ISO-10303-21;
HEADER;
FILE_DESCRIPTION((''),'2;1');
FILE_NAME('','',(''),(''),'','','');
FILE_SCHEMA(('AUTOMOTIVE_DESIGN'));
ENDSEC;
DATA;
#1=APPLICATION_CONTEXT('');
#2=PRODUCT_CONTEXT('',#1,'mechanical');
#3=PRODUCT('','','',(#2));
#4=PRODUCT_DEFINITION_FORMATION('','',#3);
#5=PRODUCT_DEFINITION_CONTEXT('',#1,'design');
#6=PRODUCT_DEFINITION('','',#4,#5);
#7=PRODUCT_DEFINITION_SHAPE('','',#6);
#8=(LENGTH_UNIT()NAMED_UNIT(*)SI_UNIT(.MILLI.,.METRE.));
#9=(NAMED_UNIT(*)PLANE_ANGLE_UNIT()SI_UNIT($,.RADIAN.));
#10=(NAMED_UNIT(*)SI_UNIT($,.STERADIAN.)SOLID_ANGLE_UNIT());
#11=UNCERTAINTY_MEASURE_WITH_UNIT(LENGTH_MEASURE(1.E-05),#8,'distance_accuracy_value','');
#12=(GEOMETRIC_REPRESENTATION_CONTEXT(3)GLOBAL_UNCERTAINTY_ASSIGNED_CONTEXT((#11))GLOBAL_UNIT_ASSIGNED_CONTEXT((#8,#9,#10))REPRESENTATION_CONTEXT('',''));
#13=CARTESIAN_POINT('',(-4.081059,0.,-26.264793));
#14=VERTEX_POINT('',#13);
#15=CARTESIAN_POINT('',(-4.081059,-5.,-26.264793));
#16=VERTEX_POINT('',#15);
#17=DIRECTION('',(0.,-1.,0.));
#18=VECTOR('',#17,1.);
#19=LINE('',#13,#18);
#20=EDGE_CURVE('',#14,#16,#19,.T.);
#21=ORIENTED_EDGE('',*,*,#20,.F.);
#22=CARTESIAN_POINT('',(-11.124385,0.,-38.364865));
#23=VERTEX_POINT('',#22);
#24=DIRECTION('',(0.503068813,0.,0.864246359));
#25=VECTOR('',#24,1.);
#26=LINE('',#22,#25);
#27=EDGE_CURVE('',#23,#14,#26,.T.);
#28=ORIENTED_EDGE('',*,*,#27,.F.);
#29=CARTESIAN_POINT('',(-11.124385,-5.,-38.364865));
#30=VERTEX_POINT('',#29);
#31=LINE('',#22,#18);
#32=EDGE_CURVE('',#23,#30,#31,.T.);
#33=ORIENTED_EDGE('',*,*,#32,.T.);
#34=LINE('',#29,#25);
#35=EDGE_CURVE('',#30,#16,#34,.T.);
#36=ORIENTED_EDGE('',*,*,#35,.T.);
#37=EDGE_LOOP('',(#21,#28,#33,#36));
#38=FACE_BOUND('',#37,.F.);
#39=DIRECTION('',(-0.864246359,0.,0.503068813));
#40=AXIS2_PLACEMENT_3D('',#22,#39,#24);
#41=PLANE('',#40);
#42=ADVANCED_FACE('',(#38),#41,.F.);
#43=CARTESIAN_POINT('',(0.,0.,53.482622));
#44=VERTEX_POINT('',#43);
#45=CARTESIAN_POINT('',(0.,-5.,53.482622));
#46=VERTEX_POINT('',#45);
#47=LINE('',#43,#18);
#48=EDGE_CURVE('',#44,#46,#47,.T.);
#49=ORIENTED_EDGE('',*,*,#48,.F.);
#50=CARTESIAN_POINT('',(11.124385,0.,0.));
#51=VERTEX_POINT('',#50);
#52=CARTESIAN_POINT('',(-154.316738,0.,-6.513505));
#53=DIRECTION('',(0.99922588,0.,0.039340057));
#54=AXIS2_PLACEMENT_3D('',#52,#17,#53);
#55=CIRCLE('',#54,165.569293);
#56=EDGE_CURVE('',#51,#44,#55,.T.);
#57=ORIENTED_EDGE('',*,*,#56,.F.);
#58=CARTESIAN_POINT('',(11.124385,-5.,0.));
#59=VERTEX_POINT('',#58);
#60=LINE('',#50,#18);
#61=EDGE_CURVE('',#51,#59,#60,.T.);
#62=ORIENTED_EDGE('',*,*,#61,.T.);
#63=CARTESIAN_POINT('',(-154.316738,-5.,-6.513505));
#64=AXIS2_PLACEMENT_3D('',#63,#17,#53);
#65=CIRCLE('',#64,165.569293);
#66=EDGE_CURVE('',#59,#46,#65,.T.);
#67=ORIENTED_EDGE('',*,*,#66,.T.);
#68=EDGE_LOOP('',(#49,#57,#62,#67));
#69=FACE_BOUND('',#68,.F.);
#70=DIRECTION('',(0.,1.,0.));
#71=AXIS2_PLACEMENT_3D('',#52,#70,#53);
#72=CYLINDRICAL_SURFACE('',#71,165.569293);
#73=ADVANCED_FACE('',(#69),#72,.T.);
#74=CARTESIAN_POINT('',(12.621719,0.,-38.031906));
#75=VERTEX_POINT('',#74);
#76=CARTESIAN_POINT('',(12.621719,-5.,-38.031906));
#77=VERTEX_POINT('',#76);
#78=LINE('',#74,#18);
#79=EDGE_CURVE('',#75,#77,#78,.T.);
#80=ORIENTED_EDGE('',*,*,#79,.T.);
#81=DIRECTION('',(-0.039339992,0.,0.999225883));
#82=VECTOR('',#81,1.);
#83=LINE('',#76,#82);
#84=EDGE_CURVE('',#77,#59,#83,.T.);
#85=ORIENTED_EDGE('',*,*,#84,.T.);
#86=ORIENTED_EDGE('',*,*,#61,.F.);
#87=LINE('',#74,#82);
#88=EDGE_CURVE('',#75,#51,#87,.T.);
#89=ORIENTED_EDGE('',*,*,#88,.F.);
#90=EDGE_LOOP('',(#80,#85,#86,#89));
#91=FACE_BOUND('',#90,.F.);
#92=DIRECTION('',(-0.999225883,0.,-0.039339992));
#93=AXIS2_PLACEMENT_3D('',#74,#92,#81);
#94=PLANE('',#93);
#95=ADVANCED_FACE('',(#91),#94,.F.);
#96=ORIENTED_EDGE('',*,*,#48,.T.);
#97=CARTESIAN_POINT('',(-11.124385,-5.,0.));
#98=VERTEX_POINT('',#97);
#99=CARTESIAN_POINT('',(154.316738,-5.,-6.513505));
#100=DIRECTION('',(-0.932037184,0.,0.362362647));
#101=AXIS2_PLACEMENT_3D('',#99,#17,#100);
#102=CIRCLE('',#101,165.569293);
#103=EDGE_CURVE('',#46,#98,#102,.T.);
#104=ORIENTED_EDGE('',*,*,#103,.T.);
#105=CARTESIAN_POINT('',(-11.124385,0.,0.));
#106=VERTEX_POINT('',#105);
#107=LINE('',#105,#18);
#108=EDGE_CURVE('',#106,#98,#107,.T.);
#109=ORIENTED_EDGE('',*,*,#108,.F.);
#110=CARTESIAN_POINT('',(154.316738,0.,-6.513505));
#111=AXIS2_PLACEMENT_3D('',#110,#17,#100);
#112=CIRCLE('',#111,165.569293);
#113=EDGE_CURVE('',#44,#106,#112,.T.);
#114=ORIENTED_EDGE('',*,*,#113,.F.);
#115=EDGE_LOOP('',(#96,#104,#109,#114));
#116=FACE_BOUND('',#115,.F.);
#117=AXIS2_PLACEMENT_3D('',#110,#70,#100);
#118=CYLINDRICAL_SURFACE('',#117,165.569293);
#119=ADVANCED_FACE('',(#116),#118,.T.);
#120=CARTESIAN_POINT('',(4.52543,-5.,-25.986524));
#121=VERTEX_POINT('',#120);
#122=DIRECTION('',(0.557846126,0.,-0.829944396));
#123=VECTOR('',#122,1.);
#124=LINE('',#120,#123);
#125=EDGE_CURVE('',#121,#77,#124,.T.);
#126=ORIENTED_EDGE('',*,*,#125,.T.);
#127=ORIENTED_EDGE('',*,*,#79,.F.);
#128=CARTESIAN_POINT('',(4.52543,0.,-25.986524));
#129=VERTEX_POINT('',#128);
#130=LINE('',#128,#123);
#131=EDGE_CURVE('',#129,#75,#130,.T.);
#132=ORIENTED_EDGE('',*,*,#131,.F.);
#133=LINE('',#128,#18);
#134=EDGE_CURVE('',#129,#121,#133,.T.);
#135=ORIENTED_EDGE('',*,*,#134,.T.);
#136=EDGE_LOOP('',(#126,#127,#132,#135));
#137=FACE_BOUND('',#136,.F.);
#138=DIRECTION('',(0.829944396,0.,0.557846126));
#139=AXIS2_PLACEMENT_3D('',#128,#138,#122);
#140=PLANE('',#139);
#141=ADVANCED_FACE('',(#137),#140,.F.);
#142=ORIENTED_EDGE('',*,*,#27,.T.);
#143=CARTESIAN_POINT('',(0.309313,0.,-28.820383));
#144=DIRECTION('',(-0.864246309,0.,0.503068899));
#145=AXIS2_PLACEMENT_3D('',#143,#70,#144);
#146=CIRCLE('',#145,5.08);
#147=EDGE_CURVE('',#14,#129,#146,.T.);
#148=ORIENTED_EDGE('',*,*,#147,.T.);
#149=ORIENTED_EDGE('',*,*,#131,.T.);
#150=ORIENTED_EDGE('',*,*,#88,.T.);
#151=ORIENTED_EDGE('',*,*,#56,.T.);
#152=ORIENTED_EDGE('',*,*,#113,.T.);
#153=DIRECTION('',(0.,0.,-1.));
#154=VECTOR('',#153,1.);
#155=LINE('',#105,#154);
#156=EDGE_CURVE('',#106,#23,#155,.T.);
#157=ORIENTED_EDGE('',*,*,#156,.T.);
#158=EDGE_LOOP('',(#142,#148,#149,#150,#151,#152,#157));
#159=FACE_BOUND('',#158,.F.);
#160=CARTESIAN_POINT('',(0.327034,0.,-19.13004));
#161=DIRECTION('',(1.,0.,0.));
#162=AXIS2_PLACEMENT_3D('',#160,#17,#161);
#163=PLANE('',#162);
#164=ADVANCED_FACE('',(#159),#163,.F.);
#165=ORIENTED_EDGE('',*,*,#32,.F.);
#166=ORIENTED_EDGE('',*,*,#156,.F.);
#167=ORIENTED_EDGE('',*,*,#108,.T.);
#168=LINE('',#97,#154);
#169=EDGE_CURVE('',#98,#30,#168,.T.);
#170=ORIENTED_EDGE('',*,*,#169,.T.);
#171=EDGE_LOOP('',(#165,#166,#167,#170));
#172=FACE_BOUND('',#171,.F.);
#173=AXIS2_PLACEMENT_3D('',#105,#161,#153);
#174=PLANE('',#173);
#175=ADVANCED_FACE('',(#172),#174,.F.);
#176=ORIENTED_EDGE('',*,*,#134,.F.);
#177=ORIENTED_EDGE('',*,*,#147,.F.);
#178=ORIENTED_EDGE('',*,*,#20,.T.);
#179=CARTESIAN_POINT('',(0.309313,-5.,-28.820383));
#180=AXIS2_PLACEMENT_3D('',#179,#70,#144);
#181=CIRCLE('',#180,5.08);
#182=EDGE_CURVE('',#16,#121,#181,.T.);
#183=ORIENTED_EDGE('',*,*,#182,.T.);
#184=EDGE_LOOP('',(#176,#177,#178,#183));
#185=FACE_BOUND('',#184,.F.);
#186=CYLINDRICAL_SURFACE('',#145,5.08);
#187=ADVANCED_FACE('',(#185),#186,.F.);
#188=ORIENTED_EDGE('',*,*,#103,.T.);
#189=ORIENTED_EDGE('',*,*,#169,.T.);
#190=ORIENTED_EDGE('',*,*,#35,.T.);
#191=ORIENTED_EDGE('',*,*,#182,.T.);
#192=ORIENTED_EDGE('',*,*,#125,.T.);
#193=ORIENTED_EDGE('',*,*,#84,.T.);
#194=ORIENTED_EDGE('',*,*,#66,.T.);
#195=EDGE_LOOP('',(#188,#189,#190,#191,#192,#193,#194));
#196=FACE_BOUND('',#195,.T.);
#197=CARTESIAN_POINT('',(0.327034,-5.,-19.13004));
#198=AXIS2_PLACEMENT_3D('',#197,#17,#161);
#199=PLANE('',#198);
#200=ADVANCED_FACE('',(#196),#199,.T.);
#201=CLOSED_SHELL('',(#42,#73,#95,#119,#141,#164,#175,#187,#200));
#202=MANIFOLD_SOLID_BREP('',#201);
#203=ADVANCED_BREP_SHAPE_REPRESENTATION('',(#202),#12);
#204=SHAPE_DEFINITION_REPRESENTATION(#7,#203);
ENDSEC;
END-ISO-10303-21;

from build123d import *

# Parameters (mm, degrees)
F1_DEPTH = 5
F2_DEPTH = 5


with BuildPart() as f1:
    # F0 (on Front) → F1 (new body)
    with BuildSketch(Plane.XZ):
        with BuildLine():
            ThreePointArc((11.124385, 0), (7.783139, 27.203268), (0, 53.482622))
            ThreePointArc((0, 53.482622), (-7.783139, 27.203268), (-11.124385, 0))
            Line((-11.124385, 0), (11.124385, 0))
        make_face()
    extrude(amount=F1_DEPTH)

    # F0 (on Front) → F2 (join)
    with BuildSketch(Plane.XZ):
        with BuildLine():
            Line((11.124385, 0), (-11.124385, 0))
            Line((-11.124385, 0), (-11.124385, -38.364865))
            Line((-11.124385, -38.364865), (-4.081059, -26.264793))
            ThreePointArc((-4.081059, -26.264793), (0.14515, -23.743036), (4.52543, -25.986524))
            Line((4.52543, -25.986524), (12.621719, -38.031906))
            Line((12.621719, -38.031906), (11.124385, 0))
        make_face()
    extrude(amount=F2_DEPTH)


solid = f1.part
